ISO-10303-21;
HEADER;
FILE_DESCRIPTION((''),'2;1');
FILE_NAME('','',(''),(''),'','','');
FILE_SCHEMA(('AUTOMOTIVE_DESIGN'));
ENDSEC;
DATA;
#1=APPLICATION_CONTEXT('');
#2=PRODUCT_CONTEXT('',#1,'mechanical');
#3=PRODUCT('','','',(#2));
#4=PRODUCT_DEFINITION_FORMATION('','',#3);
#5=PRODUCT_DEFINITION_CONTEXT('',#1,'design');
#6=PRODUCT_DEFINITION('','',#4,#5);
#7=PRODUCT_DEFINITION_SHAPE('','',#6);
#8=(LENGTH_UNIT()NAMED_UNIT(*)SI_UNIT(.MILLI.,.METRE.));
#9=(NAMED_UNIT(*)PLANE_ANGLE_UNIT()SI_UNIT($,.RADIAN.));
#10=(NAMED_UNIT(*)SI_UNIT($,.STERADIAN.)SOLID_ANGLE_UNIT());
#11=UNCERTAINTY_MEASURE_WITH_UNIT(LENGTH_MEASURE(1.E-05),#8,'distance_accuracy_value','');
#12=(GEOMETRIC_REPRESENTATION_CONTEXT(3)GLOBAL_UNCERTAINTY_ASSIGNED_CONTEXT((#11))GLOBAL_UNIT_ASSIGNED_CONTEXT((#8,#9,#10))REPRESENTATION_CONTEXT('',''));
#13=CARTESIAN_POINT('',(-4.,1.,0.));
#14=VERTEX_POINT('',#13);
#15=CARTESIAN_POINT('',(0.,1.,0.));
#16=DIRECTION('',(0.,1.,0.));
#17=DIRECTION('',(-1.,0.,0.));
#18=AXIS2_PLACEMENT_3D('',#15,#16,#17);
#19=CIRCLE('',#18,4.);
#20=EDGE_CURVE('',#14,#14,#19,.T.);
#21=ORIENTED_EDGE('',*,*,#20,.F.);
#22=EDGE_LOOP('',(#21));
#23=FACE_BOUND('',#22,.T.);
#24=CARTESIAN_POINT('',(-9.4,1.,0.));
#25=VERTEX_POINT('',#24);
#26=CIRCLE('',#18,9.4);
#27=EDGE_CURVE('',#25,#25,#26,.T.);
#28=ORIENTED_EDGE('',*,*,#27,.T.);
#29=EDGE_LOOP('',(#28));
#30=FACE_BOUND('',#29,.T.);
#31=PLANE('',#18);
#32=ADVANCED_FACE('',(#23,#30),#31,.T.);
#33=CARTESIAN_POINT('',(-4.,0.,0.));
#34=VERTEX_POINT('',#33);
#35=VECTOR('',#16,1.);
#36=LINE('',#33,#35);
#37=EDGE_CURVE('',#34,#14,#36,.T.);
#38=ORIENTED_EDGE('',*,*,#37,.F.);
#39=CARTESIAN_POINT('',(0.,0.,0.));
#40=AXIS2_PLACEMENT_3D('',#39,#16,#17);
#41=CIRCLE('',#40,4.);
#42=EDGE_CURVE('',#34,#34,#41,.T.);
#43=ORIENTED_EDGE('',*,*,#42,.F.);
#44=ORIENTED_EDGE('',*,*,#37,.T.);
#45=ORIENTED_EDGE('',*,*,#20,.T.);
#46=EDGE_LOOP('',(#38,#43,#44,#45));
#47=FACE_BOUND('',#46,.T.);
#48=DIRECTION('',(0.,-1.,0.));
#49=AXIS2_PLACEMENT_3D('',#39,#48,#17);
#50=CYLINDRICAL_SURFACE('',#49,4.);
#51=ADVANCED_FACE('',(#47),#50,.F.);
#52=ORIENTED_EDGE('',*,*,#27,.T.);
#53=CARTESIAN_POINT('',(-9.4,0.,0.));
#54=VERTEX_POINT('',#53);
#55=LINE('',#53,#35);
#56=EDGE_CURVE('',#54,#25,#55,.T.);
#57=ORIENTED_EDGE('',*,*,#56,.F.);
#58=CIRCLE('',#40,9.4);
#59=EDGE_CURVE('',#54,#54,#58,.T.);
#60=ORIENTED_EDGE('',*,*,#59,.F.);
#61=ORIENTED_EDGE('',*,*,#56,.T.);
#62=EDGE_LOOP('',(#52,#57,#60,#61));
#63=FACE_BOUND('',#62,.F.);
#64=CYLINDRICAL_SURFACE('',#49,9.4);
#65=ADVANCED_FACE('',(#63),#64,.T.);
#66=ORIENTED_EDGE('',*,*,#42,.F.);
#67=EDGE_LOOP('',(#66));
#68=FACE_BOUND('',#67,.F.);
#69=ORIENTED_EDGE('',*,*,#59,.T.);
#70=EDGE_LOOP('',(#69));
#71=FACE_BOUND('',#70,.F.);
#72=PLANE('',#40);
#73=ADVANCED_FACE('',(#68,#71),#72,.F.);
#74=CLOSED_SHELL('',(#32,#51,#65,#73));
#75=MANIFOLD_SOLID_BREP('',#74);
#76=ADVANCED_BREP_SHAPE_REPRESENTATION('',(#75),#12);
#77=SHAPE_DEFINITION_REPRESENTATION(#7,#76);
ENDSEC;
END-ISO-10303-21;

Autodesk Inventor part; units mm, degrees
ref_plane "YZ Plane" through (0, 0, 0) normal (1, 0, 0) x (0, 1, 0)
ref_plane "XZ Plane" through (0, 0, 0) normal (0, 1, 0) x (-1, 0, 0)
ref_plane "XY Plane" through (0, 0, 0) normal (0, 0, 1) x (1, 0, 0)
sketch "Sketch1" plane through (0, 0, 0) normal (0, 1, 0) x (-1, 0, 0)
  circle A0 centre (0, 0) radius 4
  circle A1 centre (0, 0) radius 9.4
  dimension "d0" = 8
  dimension "d1" = 18.8
extrude "Extrusion1" add sketch "Sketch1" along normal blind 1
properties part number "washer_3DPrint"
